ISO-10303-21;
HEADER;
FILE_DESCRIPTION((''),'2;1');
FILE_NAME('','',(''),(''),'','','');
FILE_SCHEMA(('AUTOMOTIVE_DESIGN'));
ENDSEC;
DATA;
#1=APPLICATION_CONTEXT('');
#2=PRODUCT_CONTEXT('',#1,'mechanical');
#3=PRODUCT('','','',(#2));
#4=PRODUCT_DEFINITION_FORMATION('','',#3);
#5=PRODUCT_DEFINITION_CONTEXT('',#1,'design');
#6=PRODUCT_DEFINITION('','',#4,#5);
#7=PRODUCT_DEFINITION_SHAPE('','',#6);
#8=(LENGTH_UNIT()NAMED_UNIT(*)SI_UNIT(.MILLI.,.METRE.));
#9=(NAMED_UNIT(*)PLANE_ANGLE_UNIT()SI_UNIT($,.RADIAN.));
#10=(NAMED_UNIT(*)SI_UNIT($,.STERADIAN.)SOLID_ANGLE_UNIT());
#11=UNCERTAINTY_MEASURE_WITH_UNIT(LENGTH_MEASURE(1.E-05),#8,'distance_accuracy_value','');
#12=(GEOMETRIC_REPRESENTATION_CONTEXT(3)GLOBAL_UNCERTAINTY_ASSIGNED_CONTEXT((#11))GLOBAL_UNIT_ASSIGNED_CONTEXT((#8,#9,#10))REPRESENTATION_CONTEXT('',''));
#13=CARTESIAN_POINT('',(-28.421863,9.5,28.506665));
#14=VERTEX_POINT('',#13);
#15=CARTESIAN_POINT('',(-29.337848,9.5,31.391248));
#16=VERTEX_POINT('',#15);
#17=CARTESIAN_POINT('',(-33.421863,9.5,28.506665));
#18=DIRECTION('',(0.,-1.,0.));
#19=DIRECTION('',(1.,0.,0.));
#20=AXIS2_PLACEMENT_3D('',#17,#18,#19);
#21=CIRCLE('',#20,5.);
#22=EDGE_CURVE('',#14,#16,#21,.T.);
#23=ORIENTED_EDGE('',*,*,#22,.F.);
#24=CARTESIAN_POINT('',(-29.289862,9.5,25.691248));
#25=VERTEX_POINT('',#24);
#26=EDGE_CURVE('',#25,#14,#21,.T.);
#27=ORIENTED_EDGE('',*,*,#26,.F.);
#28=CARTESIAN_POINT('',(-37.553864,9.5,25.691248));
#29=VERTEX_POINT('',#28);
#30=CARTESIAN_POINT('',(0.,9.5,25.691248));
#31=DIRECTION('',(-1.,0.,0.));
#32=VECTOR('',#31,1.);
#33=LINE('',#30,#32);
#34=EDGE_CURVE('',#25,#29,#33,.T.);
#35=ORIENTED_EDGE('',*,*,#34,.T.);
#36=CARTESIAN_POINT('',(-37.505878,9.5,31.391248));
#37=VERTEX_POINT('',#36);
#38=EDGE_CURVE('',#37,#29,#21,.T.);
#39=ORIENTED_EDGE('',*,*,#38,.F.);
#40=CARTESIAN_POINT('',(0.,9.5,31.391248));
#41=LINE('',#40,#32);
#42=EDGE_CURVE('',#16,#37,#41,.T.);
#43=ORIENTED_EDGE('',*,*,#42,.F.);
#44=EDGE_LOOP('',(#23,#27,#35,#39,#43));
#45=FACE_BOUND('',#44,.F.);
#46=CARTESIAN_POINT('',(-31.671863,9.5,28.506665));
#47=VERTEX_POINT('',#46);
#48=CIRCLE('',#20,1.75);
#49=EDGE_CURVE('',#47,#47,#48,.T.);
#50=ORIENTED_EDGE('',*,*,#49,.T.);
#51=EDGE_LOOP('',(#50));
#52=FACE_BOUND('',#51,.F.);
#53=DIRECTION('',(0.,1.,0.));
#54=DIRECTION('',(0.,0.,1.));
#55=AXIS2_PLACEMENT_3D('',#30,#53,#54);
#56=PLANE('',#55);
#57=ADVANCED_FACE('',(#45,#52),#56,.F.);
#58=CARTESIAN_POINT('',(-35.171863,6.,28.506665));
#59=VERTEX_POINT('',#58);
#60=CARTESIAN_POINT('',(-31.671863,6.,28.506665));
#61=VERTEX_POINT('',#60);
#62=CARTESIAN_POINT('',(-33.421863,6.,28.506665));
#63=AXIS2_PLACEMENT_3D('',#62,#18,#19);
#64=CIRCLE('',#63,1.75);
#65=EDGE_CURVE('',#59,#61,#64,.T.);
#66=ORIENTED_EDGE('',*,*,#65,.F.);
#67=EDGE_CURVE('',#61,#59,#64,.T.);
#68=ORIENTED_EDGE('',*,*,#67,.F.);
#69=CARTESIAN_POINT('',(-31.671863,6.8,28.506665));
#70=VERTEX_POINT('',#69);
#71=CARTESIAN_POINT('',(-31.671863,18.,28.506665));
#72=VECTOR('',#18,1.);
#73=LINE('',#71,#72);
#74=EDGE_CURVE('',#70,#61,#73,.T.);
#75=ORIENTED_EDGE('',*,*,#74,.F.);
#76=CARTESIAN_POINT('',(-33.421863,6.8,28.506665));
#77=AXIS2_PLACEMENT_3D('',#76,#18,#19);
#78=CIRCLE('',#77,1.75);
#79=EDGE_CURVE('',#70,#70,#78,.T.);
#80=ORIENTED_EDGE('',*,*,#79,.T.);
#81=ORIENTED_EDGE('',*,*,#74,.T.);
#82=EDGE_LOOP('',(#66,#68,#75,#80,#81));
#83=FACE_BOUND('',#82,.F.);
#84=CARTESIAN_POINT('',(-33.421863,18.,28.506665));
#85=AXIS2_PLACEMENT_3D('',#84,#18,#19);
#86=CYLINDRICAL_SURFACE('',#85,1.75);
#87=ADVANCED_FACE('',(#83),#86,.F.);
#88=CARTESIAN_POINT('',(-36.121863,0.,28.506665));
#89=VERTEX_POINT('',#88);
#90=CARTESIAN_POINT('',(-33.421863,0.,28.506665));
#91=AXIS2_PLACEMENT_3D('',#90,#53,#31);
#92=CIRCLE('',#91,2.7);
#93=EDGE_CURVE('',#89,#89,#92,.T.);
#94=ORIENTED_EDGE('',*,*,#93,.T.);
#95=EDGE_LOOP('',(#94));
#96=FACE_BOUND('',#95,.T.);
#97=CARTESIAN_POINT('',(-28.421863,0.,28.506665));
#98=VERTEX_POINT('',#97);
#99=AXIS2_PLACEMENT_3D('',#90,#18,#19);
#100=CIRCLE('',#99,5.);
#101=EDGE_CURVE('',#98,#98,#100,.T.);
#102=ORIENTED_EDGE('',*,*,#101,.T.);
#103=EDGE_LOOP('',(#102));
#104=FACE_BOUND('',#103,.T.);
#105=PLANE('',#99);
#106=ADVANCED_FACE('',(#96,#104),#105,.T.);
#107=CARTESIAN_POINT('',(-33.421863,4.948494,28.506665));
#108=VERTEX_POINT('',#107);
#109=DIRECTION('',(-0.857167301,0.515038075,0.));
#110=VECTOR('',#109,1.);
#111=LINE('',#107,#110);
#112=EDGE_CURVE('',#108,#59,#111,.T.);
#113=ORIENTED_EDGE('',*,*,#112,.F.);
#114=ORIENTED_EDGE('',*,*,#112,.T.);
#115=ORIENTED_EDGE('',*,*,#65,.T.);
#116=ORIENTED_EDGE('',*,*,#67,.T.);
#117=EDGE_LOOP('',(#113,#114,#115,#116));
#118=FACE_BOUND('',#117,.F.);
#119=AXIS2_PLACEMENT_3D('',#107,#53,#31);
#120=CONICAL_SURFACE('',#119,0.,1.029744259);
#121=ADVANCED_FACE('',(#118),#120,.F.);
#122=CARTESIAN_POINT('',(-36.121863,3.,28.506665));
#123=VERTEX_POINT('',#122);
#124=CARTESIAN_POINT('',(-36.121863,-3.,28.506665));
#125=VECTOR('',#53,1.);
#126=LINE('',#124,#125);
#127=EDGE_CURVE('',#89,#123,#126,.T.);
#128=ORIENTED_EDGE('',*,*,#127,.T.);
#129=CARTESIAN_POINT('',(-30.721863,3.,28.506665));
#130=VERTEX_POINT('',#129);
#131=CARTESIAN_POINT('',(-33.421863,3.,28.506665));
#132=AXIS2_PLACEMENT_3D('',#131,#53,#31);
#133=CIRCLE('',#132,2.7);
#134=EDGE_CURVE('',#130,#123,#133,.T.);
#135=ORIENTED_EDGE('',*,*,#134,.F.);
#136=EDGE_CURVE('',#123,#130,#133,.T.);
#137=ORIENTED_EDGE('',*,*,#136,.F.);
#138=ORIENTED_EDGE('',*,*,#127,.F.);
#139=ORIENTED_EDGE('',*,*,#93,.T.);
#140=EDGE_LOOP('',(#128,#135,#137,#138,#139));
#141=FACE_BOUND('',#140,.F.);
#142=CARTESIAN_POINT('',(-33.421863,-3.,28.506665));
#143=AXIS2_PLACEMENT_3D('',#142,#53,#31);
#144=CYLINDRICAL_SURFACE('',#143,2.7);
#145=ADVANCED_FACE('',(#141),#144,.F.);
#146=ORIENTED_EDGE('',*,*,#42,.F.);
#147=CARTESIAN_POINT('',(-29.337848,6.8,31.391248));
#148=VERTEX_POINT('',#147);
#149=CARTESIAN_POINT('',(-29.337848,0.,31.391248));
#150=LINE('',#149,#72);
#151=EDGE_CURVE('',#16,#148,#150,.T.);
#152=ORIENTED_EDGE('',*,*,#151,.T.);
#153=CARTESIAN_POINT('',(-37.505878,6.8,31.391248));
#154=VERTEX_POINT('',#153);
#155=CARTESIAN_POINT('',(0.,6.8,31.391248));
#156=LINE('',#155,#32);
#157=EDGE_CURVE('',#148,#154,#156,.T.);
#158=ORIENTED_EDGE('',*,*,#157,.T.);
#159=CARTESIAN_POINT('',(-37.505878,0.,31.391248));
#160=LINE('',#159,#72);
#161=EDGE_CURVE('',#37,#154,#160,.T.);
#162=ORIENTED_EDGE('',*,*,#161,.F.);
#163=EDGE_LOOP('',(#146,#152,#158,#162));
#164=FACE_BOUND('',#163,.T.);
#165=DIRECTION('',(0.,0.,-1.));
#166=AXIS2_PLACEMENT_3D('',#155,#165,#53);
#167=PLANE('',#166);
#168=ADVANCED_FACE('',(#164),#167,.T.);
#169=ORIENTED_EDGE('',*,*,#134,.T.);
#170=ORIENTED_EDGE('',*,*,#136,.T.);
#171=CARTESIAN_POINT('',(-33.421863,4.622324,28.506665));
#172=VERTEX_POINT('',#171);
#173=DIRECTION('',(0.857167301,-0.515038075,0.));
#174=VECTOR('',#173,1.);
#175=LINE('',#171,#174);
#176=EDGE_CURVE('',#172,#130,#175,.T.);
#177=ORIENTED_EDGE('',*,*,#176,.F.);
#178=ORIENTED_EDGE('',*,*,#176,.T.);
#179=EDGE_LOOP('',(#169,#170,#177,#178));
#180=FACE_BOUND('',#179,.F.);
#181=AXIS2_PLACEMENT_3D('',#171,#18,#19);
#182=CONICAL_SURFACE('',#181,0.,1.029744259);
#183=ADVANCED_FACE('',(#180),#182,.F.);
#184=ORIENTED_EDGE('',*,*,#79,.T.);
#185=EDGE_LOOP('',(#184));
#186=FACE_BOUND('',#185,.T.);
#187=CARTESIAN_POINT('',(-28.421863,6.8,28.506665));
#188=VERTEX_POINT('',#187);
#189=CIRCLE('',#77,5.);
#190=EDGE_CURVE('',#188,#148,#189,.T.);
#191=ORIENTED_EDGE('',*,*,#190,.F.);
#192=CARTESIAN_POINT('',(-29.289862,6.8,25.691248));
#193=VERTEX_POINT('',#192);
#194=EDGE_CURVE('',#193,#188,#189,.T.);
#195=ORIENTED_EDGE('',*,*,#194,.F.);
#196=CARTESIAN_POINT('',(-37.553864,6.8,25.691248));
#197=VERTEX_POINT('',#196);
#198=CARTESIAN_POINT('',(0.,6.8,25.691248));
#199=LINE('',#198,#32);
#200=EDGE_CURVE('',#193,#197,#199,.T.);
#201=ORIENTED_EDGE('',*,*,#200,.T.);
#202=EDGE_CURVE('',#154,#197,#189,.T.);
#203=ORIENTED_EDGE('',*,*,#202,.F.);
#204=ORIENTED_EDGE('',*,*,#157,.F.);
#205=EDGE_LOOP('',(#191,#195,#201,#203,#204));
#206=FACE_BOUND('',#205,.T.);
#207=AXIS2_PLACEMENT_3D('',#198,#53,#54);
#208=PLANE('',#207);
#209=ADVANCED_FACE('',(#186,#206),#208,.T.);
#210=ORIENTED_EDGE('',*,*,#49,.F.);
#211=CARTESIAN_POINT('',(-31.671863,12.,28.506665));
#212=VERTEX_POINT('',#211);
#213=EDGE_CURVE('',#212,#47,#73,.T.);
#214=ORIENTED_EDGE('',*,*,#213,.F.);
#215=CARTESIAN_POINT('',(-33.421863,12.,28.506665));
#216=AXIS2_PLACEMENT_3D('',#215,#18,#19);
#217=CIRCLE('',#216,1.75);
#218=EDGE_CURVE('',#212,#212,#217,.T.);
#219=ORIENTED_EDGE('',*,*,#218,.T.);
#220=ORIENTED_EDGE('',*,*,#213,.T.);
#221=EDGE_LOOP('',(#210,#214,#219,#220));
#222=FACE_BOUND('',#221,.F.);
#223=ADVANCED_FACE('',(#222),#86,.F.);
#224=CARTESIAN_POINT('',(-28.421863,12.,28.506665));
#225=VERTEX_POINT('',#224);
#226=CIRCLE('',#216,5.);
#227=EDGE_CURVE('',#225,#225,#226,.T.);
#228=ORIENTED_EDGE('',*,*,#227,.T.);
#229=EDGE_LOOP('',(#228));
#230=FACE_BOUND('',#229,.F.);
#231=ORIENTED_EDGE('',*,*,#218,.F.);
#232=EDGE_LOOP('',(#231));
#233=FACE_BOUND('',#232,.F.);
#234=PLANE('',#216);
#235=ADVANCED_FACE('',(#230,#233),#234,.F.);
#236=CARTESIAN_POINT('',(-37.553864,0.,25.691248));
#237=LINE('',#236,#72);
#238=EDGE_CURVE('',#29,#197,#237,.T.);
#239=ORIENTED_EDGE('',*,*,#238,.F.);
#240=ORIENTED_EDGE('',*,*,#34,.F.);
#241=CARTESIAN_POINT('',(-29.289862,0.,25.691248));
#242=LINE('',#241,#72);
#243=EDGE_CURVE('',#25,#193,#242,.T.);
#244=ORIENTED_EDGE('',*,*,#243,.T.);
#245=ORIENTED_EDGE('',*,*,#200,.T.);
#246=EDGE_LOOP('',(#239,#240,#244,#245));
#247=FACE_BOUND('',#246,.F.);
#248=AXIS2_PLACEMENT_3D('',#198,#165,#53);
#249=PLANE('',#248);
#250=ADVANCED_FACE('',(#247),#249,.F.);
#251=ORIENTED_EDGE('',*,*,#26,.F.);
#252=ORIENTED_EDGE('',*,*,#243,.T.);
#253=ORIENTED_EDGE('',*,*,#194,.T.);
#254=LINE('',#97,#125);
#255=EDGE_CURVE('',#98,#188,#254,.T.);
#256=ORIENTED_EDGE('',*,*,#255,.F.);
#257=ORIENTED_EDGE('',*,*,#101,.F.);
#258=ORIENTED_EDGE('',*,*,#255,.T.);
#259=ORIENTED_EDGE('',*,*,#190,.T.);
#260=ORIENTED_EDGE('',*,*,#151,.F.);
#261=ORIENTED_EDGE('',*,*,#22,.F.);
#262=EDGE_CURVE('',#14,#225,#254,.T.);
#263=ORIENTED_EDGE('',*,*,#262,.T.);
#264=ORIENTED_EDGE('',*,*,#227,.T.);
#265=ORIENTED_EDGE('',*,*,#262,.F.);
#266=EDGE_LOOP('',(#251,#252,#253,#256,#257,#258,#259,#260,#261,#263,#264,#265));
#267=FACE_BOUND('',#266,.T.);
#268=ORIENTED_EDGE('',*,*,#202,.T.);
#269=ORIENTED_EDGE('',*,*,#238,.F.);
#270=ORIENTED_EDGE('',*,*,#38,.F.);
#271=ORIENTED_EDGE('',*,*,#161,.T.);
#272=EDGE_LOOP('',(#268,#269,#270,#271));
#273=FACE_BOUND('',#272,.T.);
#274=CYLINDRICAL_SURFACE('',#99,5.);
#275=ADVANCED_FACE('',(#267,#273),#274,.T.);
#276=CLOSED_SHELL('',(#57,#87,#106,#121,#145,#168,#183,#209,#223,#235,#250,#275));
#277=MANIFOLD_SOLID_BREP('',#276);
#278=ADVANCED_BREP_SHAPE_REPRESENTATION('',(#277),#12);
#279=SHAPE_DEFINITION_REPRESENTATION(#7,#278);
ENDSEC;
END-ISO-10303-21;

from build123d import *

# Parameters (mm, degrees)
F3_R     = 5
F4_DEPTH = 12
F6_D     = 5.4
F6_DEPTH = 3
F6_TIP   = 1.6223236714
F7_D     = 3.5
F7_DEPTH = 6
F7_TIP   = 1.0515060833
F8_W     = 2.7
F8_H     = 5.7
F9_DEPTH = 38.4228628705


with BuildPart() as f4:
    # F3 (on Front) → F4 (new body)
    with BuildSketch(Plane.XZ):
        with Locations((-33.4218628705, 28.5066645592)):
            Circle(F3_R)
    extrude(amount=-F4_DEPTH)

    # F6
    with Locations(Plane.XZ):
        with Locations((-33.4218628705, 28.5066645592)):
            Hole(F6_D / 2, depth=F6_DEPTH)
            with Locations((0, 0, -(F6_DEPTH + F6_TIP / 2))):  # 118° drill point
                Cone(0, F6_D / 2, F6_TIP, mode=Mode.SUBTRACT)

    # F7
    with Locations(Plane(origin=(0, 12, 0), x_dir=(-1, 0, 0), z_dir=(0, 1, 0))):
        with Locations((33.4218628705, 28.5066645592)):
            Hole(F7_D / 2, depth=F7_DEPTH)
            with Locations((0, 0, -(F7_DEPTH + F7_TIP / 2))):  # 118° drill point
                Cone(0, F7_D / 2, F7_TIP, mode=Mode.SUBTRACT)

    # F8 (on Right) → F9 (cut, through all)
    with BuildSketch(Plane.YZ):
        with Locations((8.15, 28.5412482917)):
            Rectangle(F8_W, F8_H)
    extrude(amount=-F9_DEPTH, mode=Mode.SUBTRACT)


solid = f4.part
